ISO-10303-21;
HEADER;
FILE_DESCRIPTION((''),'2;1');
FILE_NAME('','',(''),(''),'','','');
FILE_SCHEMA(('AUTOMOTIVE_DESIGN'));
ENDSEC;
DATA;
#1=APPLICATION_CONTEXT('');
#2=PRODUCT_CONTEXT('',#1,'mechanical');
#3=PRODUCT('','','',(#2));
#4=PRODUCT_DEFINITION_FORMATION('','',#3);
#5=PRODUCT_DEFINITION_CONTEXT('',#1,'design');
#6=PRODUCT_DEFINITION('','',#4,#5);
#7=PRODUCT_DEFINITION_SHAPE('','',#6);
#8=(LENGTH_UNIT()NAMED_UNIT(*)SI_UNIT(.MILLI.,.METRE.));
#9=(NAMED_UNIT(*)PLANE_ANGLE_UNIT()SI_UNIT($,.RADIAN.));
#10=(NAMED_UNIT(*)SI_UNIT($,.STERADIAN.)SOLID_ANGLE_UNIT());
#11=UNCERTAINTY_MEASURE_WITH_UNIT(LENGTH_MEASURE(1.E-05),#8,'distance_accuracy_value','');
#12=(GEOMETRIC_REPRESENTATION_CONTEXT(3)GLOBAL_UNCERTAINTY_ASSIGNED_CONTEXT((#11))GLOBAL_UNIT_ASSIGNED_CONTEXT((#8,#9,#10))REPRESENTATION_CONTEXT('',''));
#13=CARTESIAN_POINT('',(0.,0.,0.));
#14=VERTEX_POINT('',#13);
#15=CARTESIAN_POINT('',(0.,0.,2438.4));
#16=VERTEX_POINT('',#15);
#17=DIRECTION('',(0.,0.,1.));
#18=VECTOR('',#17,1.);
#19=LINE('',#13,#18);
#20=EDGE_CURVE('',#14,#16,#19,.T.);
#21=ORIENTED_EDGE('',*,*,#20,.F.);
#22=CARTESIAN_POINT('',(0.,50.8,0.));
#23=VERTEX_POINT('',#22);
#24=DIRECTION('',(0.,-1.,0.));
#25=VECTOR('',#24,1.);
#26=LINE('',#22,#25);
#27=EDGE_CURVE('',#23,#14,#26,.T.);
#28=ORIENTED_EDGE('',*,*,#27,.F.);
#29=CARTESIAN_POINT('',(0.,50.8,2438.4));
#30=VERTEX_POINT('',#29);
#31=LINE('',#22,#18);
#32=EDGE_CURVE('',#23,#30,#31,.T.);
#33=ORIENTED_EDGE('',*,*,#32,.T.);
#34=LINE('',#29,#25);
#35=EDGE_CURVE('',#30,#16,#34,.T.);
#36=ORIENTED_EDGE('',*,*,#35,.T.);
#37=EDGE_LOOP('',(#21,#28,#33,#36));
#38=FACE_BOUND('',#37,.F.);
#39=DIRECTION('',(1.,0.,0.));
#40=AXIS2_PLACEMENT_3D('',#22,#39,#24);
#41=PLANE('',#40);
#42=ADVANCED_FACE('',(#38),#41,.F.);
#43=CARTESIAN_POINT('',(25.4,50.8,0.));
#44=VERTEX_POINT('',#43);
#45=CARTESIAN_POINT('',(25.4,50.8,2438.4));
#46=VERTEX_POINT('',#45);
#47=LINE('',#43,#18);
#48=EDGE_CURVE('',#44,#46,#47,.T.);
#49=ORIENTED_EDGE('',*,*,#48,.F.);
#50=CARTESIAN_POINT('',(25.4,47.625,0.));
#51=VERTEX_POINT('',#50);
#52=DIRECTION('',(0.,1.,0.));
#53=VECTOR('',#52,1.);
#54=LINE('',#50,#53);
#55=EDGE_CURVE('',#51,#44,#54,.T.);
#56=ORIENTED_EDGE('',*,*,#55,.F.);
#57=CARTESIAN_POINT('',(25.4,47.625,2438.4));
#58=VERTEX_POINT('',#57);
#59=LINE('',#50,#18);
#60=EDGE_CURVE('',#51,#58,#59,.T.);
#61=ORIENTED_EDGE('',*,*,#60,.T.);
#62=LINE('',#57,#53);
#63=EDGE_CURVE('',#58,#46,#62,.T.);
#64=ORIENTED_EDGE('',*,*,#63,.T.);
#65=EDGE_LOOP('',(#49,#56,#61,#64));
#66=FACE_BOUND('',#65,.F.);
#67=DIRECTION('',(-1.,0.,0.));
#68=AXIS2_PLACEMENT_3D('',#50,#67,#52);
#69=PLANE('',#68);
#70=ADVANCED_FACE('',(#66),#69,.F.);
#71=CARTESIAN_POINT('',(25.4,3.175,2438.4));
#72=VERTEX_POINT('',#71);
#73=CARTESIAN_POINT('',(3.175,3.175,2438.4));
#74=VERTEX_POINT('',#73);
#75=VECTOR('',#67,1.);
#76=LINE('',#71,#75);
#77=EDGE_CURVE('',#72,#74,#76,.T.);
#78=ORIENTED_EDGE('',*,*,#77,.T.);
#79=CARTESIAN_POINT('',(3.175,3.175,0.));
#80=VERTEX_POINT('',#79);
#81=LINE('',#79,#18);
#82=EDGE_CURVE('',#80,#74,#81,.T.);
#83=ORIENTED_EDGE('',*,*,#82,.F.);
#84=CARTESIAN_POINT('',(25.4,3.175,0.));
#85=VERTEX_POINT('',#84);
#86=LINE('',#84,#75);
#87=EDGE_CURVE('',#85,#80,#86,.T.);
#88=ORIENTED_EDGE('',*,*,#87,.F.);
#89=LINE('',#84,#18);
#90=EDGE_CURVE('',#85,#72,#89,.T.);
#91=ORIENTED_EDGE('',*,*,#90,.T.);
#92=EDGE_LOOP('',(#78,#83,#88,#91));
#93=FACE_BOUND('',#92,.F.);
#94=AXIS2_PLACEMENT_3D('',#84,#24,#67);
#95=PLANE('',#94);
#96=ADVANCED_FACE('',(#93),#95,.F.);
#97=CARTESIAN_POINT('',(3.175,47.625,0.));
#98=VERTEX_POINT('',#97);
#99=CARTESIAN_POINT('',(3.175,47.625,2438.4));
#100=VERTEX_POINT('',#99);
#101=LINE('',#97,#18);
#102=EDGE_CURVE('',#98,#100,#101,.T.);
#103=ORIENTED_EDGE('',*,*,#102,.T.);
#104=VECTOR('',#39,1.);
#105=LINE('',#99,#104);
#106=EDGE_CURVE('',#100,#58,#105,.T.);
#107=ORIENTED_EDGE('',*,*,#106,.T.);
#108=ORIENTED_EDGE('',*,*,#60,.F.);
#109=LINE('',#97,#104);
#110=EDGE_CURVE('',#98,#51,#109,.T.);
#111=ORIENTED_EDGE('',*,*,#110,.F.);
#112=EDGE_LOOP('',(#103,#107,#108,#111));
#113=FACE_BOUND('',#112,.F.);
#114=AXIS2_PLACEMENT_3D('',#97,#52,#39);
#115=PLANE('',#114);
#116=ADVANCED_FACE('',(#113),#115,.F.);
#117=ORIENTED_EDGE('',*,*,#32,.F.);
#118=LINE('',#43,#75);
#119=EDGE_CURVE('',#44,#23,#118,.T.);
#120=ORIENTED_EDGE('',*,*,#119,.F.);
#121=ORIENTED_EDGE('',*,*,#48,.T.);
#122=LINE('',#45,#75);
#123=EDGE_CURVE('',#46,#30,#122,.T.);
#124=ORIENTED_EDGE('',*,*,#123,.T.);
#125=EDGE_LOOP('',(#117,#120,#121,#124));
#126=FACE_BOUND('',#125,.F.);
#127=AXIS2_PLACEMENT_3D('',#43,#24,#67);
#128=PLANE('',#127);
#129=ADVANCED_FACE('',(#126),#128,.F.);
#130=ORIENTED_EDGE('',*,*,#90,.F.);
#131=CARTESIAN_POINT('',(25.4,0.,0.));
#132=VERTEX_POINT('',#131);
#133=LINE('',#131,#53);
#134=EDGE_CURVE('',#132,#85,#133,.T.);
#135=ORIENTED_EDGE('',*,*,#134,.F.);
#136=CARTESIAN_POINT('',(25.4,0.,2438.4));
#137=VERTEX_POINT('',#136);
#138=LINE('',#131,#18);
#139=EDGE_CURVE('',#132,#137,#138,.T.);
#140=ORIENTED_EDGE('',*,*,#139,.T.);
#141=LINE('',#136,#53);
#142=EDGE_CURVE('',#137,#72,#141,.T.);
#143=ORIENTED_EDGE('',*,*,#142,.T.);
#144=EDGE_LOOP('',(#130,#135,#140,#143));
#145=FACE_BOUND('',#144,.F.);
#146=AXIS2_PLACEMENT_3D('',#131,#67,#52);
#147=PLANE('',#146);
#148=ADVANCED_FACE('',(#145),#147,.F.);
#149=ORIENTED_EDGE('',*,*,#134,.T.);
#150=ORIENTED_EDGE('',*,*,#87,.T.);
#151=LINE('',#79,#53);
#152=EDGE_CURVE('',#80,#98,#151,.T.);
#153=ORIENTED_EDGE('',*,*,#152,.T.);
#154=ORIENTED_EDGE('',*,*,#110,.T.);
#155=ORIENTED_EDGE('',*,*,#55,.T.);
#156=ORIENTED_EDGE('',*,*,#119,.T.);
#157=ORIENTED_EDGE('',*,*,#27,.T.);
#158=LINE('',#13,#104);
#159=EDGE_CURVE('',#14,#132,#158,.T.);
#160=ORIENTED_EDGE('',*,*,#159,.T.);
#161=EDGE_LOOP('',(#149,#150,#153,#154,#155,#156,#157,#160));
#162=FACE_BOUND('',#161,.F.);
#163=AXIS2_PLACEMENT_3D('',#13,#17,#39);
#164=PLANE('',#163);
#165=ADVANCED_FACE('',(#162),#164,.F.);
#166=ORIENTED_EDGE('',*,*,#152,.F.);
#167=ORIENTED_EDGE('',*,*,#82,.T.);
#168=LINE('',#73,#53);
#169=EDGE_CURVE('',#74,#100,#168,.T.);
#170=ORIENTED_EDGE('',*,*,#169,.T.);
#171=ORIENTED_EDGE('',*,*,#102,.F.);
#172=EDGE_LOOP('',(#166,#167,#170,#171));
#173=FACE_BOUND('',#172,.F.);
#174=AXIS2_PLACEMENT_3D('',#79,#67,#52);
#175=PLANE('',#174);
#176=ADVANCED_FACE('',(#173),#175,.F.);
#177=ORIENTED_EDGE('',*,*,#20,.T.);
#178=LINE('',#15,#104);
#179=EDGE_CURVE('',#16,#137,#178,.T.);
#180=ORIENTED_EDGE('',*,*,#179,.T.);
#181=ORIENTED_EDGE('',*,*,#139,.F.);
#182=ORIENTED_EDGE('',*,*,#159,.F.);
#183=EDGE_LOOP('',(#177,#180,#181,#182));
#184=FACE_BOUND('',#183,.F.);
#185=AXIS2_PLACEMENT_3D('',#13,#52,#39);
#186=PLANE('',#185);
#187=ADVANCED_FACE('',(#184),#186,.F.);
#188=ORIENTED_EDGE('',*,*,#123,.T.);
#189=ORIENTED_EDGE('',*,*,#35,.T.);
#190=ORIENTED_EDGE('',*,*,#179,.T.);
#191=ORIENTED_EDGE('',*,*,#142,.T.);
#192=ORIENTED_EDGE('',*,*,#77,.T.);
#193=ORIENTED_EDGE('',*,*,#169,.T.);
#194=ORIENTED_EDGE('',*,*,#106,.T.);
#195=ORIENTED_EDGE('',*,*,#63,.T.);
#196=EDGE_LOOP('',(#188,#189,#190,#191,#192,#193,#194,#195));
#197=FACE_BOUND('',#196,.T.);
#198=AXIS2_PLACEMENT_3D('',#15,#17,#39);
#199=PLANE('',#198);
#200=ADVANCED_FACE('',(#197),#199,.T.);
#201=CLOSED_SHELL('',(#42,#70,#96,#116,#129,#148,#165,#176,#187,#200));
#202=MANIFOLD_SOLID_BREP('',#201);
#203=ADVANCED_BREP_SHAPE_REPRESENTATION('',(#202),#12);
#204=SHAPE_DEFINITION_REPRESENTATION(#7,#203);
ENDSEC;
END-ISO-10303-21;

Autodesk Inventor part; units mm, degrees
ref_plane "YZ Plane" through (0, 0, 0) normal (1, 0, 0) x (0, 1, 0)
ref_plane "XZ Plane" through (0, 0, 0) normal (0, 1, 0) x (-1, 0, 0)
ref_plane "XY Plane" through (0, 0, 0) normal (0, 0, 1) x (1, 0, 0)
sketch "Sketch1" plane through (0, 0, 0) normal (0, 0, 1) x (1, 0, 0)
  line L0 (0, 0) -> (25.4, 0)
  line L1 (25.4, 0) -> (25.4, 3.175)
  line L2 (25.4, 3.175) -> (3.175, 3.175)
  line L3 (3.175, 3.175) -> (3.175, 47.625)
  line L4 (3.175, 47.625) -> (25.4, 47.625)
  line L5 (25.4, 47.625) -> (25.4, 50.8)
  line L6 (25.4, 50.8) -> (0, 50.8)
  line L7 (0, 50.8) -> (0, 0)
  dimension "d0" = 25.4
  dimension "d1" = 3.175
  dimension "d2" = 22.225
  dimension "d3" = 44.45
  dimension "d4" = 22.225
  dimension "d5" = 3.175
extrude "Extrusion1" add sketch "Sketch1" along normal blind 2438.4
properties part number "LongC96"
